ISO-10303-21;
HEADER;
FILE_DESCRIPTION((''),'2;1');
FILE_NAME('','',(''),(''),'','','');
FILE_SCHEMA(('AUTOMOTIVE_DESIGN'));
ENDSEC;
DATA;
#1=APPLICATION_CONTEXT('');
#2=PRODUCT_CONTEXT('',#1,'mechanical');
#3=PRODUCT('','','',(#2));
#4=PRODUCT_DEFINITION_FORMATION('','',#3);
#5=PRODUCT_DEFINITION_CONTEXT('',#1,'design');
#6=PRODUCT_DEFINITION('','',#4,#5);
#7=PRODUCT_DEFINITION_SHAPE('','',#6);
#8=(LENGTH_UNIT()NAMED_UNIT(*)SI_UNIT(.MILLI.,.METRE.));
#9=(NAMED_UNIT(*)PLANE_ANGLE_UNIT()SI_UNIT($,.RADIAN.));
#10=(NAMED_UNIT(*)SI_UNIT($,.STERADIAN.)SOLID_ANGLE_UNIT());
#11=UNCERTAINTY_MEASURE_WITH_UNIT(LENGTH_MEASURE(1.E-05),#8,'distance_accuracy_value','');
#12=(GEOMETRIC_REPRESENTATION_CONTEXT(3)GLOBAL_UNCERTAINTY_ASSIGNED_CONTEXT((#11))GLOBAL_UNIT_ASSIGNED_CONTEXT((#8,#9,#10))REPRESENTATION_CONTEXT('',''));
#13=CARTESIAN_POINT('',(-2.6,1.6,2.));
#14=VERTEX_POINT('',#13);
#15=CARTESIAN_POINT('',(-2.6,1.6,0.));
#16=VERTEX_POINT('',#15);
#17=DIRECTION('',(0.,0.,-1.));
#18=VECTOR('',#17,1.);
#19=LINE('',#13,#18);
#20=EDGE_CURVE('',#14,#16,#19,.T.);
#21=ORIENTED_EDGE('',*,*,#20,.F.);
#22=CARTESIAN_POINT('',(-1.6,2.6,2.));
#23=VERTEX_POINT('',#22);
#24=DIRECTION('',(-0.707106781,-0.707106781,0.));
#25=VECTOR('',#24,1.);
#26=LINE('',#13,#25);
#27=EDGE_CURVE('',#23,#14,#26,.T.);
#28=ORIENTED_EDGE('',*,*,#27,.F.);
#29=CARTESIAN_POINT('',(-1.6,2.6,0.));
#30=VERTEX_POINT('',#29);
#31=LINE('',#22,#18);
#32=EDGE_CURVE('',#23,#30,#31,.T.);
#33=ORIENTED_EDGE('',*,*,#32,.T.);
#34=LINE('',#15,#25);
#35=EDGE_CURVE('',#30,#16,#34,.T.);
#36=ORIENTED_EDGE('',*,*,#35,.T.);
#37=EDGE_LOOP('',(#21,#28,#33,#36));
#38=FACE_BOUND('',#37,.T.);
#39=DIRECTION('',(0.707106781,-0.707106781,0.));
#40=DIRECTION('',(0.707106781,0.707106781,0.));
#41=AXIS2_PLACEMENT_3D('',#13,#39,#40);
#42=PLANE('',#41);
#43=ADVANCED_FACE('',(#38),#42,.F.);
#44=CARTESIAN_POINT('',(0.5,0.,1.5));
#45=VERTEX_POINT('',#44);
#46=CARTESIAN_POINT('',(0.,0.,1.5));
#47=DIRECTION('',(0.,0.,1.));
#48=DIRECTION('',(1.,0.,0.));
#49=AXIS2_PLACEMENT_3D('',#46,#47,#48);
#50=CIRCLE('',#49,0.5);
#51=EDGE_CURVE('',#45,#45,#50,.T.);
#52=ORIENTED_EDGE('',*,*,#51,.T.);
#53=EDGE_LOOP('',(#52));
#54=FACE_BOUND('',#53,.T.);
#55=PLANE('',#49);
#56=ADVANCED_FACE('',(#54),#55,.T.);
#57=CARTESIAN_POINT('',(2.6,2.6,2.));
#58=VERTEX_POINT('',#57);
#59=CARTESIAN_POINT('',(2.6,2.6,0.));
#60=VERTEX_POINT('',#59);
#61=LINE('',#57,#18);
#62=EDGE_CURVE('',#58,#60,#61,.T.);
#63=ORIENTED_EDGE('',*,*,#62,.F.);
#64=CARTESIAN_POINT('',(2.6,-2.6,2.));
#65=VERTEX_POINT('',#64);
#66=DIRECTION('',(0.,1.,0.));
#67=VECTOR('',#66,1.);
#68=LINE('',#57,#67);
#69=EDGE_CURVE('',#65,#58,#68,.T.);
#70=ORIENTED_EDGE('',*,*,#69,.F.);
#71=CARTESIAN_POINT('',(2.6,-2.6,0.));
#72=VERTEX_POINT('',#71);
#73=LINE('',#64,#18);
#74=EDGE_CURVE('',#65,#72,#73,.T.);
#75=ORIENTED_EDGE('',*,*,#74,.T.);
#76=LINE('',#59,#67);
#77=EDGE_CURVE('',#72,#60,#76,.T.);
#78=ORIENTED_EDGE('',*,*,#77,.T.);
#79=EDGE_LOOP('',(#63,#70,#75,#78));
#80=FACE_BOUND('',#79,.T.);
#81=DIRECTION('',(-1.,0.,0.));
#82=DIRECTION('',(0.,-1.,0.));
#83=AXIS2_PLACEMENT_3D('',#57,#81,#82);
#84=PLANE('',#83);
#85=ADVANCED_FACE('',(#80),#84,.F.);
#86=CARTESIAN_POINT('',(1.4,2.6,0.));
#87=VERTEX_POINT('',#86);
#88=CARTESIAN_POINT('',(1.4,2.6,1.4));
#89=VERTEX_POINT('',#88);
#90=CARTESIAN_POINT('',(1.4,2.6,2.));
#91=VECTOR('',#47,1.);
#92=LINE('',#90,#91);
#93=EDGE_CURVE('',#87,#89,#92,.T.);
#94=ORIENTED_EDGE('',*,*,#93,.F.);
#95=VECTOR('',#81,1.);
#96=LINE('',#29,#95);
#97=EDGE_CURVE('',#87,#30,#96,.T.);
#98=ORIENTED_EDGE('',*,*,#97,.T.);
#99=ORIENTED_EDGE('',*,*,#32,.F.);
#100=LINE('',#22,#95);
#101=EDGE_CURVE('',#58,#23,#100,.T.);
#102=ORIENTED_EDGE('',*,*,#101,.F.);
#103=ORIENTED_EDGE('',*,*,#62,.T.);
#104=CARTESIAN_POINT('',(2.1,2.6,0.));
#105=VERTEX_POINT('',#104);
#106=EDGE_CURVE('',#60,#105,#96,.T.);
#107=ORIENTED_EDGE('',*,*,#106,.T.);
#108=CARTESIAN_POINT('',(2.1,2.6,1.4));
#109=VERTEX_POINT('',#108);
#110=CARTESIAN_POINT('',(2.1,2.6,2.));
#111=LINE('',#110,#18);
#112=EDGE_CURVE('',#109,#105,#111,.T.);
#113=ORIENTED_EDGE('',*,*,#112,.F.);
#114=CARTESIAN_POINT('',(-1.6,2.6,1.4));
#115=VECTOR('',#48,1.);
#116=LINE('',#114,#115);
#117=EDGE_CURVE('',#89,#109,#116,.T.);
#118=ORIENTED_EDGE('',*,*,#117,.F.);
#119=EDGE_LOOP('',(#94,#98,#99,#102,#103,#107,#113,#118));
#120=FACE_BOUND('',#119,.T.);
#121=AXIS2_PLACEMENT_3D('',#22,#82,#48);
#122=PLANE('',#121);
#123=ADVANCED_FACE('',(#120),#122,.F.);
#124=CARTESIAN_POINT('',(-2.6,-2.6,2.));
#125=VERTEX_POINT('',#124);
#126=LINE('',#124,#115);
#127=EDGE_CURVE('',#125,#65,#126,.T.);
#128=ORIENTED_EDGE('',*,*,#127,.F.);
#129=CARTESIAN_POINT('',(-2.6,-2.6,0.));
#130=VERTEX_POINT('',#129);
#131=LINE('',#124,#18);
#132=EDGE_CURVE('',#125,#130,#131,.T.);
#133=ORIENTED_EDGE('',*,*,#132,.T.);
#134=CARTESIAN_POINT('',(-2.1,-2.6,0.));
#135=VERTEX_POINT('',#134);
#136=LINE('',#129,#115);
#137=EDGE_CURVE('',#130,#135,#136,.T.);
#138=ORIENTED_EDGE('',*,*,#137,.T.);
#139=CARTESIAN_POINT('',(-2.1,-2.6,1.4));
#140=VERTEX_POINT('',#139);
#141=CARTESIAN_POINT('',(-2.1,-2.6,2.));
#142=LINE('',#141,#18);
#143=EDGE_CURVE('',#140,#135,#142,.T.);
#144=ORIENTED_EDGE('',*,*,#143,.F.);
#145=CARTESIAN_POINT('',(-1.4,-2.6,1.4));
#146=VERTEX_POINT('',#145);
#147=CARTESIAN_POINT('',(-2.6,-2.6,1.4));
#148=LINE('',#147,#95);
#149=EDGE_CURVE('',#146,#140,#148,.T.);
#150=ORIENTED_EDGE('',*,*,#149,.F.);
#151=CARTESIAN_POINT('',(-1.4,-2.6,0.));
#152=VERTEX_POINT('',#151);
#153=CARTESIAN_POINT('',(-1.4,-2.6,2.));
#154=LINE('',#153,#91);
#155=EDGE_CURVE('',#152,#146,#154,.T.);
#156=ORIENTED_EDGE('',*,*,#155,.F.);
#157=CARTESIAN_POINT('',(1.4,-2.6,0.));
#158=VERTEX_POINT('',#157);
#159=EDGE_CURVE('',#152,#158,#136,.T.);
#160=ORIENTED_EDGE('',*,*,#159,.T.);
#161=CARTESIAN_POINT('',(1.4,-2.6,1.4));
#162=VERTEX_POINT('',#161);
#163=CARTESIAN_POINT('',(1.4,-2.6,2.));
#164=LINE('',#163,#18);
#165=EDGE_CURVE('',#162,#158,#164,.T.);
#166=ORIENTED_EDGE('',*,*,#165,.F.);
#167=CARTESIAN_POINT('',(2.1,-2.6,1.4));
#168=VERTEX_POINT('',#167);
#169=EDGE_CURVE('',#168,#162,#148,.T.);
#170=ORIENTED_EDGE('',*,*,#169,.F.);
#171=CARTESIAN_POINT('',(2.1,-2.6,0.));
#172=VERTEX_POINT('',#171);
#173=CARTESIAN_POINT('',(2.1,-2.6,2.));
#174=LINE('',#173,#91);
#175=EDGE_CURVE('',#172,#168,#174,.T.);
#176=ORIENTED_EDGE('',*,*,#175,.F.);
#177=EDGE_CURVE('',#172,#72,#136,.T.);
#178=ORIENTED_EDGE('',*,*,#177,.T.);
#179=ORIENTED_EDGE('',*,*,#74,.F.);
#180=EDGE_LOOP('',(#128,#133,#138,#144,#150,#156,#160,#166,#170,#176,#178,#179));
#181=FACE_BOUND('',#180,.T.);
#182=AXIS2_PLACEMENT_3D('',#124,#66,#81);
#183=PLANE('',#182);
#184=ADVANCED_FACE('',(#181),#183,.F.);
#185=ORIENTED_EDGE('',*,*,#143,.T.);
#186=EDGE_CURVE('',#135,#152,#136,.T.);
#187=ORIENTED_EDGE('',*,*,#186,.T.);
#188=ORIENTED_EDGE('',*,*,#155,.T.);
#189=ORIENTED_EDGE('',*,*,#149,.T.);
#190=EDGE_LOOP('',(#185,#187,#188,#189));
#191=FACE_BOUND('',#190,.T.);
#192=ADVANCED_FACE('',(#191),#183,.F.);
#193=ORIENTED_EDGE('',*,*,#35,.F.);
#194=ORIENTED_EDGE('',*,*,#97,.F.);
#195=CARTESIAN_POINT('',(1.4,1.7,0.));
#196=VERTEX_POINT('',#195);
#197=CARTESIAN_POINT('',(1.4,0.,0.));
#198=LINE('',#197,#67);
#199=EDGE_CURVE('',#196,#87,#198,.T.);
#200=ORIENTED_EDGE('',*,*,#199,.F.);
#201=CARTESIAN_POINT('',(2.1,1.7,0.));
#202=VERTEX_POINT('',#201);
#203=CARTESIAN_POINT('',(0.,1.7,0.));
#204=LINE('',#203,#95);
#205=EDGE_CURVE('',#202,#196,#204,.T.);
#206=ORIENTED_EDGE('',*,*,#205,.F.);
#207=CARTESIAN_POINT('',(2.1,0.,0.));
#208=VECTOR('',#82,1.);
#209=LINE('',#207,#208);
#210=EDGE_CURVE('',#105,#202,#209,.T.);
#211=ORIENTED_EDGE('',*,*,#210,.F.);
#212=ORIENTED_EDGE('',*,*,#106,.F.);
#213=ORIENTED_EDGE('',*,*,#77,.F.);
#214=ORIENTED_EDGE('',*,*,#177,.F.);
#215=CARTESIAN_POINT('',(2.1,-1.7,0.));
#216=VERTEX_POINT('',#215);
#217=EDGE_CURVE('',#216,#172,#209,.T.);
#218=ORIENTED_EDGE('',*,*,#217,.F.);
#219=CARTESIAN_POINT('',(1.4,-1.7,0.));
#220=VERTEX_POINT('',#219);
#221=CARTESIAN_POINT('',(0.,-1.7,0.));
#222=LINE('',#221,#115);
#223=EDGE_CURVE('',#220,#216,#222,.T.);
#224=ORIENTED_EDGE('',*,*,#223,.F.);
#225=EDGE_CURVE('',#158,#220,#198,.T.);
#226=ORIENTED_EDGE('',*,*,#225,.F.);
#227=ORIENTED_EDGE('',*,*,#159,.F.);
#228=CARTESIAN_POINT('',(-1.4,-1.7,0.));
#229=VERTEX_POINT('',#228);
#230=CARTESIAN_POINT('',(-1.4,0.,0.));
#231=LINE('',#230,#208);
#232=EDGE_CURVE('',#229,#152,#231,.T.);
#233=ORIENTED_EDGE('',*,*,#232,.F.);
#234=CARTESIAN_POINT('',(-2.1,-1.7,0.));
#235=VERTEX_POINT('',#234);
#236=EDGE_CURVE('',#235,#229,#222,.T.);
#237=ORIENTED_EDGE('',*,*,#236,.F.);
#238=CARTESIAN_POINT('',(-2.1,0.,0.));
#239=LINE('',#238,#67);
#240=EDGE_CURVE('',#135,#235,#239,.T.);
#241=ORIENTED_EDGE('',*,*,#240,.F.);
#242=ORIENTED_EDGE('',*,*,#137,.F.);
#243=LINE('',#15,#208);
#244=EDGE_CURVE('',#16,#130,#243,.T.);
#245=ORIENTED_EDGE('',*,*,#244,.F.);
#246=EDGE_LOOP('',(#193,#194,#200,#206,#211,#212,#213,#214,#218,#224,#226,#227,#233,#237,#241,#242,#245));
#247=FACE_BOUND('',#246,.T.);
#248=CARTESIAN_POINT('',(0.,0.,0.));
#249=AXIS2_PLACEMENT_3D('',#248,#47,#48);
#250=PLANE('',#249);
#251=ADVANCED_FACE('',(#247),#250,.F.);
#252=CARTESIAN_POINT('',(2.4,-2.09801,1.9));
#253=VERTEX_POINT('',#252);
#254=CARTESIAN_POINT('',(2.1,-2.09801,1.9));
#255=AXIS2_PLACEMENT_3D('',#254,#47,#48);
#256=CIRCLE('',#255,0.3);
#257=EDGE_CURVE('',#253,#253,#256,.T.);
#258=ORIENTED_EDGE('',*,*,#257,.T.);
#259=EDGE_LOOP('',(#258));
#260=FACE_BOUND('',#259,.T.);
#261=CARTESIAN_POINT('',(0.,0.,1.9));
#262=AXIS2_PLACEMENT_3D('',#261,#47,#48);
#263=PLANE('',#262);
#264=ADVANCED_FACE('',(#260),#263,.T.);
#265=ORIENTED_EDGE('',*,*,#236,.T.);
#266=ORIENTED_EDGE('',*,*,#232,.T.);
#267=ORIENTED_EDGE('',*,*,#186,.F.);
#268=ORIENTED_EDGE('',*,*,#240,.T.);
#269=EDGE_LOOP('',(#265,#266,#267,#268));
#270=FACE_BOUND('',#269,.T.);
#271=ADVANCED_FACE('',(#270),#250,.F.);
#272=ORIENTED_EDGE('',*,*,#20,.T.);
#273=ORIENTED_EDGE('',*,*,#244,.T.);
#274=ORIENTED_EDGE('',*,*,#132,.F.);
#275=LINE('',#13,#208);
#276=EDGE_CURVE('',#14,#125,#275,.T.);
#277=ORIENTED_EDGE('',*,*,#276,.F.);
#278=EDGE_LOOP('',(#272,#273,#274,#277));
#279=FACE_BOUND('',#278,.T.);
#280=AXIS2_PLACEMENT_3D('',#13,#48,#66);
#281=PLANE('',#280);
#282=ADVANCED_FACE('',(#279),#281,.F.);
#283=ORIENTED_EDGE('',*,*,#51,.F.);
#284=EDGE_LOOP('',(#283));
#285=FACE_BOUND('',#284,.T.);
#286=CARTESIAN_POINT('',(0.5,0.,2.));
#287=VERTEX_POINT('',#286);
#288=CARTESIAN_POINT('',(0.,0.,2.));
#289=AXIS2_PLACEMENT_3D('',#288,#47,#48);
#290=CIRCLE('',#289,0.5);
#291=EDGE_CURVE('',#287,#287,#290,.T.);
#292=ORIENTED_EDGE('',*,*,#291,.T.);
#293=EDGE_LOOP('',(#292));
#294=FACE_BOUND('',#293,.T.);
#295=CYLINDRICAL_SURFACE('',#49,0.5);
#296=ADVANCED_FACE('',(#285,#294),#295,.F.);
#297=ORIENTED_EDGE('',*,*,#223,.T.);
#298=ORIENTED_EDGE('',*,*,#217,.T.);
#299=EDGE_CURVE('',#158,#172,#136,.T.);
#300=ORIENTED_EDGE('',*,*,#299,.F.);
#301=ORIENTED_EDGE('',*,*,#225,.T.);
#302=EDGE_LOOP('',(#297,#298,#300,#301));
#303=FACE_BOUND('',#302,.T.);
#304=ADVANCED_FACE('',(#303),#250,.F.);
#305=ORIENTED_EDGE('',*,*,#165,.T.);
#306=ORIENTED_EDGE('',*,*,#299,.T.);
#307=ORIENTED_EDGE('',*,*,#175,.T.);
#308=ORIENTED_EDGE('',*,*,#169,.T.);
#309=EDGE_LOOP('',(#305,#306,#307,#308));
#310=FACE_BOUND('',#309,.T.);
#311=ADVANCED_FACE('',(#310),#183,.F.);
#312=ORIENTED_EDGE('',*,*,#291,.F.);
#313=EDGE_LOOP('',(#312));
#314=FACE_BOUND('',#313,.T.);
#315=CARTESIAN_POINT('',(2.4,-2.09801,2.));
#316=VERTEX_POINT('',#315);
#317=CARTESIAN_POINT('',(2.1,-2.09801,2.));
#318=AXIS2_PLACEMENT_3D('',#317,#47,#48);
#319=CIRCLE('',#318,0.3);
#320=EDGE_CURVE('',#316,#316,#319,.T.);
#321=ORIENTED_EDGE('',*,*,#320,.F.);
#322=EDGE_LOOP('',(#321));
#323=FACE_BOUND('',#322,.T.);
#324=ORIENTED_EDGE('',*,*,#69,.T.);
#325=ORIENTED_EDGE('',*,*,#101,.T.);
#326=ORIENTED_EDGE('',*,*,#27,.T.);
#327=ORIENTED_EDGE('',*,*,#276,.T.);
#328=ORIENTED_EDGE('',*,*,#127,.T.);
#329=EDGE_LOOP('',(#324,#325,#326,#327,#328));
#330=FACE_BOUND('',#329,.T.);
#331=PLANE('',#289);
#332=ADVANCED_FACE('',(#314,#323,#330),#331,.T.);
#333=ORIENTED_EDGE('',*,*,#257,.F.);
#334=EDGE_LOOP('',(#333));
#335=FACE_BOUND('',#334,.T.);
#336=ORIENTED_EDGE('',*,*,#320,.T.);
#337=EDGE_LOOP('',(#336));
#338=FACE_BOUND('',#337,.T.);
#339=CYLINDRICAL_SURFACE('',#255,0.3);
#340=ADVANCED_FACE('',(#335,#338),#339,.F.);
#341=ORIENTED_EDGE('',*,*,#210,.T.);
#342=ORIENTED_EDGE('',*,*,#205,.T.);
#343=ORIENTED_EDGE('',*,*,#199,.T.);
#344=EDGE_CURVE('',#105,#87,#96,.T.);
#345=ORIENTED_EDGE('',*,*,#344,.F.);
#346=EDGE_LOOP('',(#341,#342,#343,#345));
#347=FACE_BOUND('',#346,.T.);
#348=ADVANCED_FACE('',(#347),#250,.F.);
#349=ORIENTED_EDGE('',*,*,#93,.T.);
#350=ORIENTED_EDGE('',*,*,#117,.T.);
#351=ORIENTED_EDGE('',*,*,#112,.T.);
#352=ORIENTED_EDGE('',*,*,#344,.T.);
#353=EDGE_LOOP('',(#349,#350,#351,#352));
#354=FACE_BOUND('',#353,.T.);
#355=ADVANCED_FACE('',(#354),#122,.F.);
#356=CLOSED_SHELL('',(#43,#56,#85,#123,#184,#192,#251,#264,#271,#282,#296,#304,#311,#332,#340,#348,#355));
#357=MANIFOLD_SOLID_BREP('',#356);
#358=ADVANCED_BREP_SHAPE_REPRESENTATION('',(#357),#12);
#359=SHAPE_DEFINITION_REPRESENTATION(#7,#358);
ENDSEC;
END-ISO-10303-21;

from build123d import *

# Parameters (mm, degrees)
EXTRUDE_1_DEPTH     = 2
SKETCH_2_R          = 0.5
CUT_EXTRUDE_1_DEPTH = 0.5
SKETCH_2_3_R        = 0.3
CUT_EXTRUDE_2_DEPTH = 0.1


with BuildPart() as part:
    # 草图1 → 凸台-拉伸1 (new body)
    with BuildSketch(Plane.XY):
        Polygon((-1.6, 2.6), (2.6, 2.6), (2.6, -2.6), (-2.6, -2.6), (-2.6, 1.6), align=None)
    extrude(amount=EXTRUDE_1_DEPTH)

    # 草图2 → 切除-拉伸1 (cut)
    with BuildSketch(Plane.XY.offset(2)):
        Circle(SKETCH_2_R)
    extrude(amount=-CUT_EXTRUDE_1_DEPTH, mode=Mode.SUBTRACT)

    # 草图2<3> → 切除-拉伸2 (cut)
    with BuildSketch(Plane.XY.offset(2)):
        with Locations((2.1, -2.098009883)):
            Circle(SKETCH_2_3_R)
    extrude(amount=-CUT_EXTRUDE_2_DEPTH, mode=Mode.SUBTRACT)


solid = part.part
